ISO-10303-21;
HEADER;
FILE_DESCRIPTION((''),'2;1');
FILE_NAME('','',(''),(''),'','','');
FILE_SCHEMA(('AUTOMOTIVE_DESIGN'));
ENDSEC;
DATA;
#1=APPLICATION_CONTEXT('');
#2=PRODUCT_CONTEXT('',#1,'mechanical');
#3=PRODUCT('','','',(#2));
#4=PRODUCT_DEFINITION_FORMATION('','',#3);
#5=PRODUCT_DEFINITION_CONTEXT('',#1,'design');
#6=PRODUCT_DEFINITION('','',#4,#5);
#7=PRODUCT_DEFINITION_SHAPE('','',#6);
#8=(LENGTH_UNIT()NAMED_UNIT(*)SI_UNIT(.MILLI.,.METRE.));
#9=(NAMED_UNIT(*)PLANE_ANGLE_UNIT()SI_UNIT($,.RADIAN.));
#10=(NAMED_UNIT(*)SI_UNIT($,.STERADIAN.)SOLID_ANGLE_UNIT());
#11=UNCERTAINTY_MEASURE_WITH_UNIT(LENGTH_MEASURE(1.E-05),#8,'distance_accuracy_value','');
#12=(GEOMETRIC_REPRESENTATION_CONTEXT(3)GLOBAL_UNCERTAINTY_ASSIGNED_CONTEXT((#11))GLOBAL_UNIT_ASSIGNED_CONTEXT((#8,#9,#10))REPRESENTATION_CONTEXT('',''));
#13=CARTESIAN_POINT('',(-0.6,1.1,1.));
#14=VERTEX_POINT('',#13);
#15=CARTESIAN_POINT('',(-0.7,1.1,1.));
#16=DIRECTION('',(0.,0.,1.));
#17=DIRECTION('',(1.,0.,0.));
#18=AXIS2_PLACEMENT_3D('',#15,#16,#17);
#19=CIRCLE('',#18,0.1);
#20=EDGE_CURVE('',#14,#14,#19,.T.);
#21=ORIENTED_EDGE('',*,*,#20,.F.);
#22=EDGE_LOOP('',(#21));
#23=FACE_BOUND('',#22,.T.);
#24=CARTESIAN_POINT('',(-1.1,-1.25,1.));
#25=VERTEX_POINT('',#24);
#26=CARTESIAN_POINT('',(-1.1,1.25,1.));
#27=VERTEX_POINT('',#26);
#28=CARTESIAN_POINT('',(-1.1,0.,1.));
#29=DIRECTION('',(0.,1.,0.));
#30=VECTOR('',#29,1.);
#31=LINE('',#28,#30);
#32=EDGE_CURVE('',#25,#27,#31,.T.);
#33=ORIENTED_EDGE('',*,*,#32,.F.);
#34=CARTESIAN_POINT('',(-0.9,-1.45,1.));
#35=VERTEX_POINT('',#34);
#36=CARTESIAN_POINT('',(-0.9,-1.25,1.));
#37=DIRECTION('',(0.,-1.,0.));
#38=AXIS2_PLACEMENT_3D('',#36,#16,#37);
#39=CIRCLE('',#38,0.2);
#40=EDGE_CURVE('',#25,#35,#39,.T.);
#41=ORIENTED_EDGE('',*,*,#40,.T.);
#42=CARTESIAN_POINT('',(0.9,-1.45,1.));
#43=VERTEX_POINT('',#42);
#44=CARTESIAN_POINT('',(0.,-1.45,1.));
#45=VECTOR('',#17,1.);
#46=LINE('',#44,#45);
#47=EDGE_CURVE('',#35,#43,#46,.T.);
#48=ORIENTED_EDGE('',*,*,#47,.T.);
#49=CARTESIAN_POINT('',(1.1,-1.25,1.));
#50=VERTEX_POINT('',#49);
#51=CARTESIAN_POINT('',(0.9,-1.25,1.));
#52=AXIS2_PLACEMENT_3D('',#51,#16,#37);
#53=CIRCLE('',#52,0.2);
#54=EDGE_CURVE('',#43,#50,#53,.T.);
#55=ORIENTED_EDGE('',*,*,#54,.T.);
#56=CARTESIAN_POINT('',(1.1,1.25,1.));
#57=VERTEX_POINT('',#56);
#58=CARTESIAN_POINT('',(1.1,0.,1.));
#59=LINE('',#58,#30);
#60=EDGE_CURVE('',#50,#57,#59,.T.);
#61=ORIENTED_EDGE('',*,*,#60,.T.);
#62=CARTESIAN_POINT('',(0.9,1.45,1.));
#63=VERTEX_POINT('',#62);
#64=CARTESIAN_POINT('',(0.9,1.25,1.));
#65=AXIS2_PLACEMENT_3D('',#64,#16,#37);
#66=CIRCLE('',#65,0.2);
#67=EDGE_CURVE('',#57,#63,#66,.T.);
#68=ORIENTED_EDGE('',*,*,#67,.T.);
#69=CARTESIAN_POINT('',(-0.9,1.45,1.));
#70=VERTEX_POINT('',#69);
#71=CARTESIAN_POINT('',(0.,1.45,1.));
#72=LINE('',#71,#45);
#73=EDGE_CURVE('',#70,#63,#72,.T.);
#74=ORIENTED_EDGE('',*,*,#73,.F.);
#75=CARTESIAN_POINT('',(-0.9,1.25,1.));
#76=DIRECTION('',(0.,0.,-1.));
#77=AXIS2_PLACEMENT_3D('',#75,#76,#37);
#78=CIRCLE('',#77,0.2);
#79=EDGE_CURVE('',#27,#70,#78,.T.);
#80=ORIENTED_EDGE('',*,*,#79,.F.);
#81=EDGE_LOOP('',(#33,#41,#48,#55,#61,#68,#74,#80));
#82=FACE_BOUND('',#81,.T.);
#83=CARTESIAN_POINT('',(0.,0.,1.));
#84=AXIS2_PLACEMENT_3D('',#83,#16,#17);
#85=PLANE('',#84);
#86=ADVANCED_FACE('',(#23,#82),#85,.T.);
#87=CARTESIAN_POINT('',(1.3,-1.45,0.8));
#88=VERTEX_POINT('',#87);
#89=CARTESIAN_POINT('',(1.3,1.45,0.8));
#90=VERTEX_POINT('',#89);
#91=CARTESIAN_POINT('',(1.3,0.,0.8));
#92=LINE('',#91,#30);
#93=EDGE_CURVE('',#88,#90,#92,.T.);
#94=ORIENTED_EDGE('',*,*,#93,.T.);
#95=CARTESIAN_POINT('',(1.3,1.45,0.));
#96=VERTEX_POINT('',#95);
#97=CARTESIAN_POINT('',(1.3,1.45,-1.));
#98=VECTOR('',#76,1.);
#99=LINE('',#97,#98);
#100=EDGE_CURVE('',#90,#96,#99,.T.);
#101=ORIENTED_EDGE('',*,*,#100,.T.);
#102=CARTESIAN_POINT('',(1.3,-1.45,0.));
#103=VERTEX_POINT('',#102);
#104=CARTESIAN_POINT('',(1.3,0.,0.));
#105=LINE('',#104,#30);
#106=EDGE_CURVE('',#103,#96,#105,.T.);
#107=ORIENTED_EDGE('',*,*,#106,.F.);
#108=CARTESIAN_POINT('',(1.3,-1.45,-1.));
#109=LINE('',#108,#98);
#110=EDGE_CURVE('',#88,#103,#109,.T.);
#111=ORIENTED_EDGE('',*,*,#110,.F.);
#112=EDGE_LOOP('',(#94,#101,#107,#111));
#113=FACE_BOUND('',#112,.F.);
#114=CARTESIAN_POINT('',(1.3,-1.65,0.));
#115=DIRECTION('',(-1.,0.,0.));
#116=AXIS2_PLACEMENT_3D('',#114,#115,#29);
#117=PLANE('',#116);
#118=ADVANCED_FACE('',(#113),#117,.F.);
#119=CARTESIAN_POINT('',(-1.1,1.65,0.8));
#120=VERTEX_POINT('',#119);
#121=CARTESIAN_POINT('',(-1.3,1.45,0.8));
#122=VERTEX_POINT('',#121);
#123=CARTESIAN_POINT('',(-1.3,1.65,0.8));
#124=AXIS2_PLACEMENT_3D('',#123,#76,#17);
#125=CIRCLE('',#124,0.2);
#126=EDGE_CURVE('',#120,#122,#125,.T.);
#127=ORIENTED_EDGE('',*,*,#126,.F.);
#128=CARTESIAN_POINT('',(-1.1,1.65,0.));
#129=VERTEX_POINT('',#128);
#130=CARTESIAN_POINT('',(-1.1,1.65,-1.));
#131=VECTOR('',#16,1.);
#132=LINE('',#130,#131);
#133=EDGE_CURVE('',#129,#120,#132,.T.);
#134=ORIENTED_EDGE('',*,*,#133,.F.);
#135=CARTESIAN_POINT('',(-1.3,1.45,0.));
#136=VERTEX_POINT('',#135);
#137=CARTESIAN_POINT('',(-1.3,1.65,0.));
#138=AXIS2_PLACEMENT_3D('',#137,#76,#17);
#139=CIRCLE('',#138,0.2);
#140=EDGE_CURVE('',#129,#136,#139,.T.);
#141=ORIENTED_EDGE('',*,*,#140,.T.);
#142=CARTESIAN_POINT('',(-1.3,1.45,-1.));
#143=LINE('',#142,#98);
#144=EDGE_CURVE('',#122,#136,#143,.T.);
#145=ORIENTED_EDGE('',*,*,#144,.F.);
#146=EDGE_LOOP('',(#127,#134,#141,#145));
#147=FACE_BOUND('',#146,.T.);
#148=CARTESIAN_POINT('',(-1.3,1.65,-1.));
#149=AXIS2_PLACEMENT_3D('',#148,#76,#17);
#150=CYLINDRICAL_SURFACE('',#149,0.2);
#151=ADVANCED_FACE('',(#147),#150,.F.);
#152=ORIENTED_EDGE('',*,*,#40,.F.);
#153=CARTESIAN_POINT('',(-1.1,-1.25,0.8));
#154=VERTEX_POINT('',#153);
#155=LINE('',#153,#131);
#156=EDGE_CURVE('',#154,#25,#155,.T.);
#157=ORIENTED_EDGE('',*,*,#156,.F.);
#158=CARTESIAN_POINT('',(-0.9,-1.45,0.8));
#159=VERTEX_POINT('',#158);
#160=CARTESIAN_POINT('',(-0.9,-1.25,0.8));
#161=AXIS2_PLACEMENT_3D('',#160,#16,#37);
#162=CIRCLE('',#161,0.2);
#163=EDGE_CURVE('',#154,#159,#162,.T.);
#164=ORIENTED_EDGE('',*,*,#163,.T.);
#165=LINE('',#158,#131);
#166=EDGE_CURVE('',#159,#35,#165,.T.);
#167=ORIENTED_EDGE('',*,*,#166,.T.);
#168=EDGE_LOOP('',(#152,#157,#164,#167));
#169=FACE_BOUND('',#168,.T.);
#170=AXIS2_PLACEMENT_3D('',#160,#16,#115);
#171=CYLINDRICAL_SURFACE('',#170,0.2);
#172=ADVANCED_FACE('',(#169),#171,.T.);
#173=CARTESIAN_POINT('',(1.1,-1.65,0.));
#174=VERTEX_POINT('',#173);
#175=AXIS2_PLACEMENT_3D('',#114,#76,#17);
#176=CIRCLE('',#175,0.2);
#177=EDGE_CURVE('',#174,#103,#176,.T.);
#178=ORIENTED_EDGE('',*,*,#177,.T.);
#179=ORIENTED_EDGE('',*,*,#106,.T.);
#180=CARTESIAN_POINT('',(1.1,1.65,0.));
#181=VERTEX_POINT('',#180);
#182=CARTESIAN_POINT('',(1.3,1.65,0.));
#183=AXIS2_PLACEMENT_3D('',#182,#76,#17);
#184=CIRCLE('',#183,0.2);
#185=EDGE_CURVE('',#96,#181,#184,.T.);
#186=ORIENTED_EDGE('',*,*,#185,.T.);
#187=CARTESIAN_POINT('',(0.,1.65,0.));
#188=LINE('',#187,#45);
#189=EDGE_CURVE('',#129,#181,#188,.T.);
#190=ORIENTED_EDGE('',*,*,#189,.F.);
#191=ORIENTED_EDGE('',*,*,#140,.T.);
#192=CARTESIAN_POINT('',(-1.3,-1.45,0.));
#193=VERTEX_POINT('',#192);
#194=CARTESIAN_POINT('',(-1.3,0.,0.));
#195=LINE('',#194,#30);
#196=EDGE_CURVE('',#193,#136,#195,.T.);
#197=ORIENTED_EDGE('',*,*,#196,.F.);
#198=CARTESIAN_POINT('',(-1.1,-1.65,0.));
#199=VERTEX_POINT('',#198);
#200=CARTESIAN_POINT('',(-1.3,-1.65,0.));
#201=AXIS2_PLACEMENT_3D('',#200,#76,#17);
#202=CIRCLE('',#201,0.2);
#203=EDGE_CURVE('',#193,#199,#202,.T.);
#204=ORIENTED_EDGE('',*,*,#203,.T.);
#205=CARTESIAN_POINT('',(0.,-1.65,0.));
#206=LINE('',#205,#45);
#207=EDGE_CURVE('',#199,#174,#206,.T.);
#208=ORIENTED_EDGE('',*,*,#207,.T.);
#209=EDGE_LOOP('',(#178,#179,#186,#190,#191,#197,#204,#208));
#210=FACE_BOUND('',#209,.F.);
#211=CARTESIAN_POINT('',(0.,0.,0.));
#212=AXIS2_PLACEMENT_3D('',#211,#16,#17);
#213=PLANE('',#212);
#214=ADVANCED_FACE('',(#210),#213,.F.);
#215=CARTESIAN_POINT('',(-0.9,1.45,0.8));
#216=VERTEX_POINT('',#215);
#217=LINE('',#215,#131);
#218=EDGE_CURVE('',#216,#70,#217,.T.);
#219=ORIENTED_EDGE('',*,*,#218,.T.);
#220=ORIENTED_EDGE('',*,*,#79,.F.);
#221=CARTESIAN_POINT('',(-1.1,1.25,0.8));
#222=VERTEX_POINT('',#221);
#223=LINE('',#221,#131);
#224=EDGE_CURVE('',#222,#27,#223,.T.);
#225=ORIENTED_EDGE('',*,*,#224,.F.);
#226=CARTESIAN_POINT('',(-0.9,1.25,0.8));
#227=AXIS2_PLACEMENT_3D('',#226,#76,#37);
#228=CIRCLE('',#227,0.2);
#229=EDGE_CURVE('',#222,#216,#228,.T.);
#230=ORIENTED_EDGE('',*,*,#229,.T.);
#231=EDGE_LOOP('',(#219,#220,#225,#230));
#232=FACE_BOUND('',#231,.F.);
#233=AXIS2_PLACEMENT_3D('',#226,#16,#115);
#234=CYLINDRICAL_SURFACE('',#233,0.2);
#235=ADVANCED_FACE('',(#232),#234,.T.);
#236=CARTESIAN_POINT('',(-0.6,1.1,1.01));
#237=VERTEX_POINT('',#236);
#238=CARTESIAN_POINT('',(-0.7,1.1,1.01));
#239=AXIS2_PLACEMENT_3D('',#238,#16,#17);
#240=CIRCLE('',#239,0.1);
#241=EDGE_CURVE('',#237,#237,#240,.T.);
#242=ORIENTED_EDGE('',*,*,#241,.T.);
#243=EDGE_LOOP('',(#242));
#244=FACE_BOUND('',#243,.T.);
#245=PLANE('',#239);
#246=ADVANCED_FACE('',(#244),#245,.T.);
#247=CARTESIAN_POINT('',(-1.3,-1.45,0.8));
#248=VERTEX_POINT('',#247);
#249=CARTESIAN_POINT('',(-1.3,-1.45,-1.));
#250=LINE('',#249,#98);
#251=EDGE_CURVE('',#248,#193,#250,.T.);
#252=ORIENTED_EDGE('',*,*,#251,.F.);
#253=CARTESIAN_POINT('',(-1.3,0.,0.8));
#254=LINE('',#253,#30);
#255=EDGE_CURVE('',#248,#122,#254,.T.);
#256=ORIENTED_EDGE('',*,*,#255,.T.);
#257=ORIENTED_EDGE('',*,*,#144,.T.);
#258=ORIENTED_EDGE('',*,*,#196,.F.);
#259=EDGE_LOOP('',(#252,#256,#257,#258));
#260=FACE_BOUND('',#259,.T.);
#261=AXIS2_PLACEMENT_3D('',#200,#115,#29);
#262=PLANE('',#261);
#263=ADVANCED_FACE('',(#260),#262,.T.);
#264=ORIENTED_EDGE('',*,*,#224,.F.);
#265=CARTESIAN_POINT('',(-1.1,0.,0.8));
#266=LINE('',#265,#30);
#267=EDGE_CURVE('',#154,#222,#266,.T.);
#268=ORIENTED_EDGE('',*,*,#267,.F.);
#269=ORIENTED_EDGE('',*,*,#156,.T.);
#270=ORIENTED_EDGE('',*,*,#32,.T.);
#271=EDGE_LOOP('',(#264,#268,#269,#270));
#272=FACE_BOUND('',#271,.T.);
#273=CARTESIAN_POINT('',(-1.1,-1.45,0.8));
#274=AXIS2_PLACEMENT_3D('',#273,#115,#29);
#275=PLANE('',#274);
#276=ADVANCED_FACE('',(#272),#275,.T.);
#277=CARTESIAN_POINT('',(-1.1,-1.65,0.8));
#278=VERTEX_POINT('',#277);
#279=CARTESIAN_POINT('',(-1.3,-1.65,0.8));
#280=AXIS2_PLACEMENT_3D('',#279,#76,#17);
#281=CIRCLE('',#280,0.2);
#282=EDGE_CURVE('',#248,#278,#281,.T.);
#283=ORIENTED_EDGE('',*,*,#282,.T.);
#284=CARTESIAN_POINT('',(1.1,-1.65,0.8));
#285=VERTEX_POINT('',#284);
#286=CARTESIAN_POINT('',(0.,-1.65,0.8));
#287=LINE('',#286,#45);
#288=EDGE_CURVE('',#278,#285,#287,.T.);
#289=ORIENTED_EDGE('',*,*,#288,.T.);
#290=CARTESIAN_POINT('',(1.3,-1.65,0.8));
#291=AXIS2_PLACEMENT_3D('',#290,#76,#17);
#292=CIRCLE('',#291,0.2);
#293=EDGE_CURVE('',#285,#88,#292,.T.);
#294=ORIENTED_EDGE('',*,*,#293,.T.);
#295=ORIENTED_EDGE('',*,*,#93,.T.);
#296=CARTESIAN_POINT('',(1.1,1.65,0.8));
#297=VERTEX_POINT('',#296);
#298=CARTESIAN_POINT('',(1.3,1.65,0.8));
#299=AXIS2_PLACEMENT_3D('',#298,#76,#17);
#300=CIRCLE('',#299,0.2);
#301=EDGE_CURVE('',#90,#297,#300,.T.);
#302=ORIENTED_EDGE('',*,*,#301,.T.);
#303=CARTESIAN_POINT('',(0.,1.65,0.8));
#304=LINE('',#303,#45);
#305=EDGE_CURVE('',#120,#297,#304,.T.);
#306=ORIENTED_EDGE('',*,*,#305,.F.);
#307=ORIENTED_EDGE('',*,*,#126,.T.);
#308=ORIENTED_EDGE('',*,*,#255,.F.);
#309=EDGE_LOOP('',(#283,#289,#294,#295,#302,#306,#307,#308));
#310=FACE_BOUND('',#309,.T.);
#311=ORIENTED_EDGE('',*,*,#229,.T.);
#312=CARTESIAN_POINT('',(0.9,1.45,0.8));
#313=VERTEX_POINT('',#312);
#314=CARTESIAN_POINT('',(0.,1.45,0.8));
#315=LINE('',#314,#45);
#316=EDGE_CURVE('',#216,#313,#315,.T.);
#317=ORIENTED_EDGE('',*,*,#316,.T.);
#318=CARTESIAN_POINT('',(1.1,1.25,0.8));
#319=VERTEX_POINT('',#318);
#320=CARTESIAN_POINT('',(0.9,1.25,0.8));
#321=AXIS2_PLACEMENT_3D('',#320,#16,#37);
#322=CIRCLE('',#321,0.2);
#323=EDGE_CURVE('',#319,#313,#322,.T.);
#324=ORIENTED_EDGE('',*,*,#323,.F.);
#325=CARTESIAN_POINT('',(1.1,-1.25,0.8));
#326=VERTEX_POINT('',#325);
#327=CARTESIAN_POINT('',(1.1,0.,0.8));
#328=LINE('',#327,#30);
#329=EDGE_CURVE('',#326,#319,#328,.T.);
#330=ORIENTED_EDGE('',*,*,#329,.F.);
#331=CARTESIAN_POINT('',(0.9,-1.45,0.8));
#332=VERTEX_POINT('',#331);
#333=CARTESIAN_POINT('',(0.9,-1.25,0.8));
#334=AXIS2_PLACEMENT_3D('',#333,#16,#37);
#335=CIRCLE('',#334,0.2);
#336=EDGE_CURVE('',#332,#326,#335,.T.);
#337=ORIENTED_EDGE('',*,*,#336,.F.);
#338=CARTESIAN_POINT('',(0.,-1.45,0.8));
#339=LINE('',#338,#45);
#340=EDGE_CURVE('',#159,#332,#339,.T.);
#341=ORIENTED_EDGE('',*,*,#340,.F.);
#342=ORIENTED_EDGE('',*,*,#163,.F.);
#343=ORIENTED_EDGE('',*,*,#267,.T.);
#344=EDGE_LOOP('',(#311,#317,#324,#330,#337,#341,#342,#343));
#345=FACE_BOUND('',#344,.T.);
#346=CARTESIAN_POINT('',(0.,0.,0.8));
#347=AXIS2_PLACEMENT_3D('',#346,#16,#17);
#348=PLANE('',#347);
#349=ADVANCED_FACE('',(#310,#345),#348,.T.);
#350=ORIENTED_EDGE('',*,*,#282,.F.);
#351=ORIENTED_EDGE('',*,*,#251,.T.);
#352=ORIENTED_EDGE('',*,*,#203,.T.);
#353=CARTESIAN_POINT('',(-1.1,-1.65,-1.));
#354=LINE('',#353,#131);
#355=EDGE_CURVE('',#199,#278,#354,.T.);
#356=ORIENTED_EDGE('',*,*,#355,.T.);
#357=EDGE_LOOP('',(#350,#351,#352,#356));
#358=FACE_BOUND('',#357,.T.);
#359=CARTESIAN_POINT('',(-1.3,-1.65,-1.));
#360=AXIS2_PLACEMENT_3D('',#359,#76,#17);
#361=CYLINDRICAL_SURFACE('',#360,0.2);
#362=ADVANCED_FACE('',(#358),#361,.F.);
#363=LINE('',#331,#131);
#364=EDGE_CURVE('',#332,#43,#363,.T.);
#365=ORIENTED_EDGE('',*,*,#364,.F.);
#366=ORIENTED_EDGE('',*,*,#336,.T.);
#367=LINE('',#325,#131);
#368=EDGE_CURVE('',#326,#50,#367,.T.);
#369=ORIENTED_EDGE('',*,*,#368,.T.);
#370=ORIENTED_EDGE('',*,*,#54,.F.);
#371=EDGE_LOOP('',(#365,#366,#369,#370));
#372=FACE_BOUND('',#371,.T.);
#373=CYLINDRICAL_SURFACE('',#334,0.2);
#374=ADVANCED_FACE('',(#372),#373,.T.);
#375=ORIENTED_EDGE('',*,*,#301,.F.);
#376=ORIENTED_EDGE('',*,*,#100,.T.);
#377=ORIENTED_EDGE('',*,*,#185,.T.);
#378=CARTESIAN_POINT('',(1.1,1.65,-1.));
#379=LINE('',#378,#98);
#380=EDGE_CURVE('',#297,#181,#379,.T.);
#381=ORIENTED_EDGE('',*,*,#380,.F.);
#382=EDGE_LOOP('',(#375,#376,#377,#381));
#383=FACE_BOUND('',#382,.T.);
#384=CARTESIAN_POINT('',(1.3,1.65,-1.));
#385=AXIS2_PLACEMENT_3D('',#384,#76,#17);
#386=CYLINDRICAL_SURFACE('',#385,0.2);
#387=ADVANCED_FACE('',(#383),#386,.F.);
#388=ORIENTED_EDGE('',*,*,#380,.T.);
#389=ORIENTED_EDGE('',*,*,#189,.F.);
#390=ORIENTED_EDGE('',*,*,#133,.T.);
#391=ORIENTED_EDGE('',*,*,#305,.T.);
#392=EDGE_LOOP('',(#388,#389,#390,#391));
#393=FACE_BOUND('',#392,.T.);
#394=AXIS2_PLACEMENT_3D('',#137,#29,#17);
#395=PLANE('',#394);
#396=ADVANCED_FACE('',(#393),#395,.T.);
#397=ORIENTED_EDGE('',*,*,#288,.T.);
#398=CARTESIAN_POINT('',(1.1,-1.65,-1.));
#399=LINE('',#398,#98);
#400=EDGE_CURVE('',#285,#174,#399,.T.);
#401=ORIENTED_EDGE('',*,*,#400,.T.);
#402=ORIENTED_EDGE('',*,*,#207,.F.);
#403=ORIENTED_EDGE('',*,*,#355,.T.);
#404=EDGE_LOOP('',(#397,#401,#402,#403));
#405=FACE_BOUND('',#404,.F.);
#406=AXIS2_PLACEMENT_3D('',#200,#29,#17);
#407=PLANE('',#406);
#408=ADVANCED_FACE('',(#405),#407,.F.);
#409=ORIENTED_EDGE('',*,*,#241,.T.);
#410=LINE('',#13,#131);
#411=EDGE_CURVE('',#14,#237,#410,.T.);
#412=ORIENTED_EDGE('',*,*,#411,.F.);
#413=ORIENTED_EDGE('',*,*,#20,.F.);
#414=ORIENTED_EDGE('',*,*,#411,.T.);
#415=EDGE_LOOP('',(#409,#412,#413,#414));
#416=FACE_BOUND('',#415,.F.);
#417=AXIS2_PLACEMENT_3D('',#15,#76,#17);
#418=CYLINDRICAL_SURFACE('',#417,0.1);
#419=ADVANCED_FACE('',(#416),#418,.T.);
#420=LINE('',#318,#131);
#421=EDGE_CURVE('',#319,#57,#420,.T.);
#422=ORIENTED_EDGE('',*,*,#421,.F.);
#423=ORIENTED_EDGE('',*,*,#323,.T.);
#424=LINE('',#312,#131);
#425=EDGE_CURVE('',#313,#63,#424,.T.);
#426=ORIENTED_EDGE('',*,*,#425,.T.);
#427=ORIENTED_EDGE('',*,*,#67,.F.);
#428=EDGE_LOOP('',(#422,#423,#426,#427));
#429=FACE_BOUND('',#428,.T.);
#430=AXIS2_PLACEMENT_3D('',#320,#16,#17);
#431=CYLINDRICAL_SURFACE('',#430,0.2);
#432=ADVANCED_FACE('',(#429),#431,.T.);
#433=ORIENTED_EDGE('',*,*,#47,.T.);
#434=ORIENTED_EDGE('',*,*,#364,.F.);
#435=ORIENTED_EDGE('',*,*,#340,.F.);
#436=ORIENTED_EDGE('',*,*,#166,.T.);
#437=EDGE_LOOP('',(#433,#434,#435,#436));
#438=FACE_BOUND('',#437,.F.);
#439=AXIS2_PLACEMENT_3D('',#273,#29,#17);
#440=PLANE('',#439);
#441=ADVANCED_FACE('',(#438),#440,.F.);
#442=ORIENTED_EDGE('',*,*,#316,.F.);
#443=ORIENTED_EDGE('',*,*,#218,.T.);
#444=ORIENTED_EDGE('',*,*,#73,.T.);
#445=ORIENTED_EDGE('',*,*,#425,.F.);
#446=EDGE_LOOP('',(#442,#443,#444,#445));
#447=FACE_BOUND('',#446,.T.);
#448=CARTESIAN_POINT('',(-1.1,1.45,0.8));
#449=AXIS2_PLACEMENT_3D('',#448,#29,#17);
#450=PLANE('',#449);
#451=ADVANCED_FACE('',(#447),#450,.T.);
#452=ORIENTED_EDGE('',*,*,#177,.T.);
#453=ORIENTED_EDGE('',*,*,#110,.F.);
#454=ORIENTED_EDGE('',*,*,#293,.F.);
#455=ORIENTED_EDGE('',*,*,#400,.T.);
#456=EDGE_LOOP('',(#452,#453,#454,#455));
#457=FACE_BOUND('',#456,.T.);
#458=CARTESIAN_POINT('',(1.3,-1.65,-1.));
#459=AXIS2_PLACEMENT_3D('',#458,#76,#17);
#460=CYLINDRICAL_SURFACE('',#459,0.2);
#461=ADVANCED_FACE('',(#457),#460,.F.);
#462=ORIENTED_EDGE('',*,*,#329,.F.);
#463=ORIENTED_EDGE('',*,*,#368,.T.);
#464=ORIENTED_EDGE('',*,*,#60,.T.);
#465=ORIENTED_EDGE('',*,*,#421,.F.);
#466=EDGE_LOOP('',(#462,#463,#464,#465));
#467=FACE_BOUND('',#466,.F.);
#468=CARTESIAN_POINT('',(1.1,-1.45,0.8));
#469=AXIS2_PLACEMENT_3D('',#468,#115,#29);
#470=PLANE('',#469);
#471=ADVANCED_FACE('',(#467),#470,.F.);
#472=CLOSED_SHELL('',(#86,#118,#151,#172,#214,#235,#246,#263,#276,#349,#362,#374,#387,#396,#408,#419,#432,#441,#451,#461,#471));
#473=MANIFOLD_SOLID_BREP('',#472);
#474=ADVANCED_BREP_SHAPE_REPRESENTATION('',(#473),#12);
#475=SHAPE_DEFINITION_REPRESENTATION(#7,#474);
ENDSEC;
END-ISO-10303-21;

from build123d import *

# Parameters (mm, degrees)
BOX001_W          = 2.2
BOX001_H          = 2.9
BOX001_DEPTH      = 0.2
FILLET_R          = 0.2
CYLINDER004_R     = 0.1
CYLINDER004_DEPTH = 0.01
CYLINDER001_R     = 0.2
CYLINDER001_DEPTH = 3
CYLINDER002_R     = 0.2
CYLINDER002_DEPTH = 3
CYLINDER003_R     = 0.2
CYLINDER003_DEPTH = 3
CYLINDER_R        = 0.2
CYLINDER_DEPTH    = 3
BOX_W             = 2.6
BOX_H             = 3.3
BOX_DEPTH         = 0.8


with BuildPart() as fillet_body:
    # Box001 → Box001 (new body)
    with BuildSketch(Plane(origin=(-1.1, -1.45, 0.8), x_dir=(1, 0, 0), z_dir=(0, 0, 1))):
        with Locations((1.1, 1.45)):
            Rectangle(BOX001_W, BOX001_H)
    extrude(amount=BOX001_DEPTH)

    # Fillet
    fillet_edges = [fillet_body.edges().sort_by_distance(p)[0] for p in [
        (-1.1, -1.45, 0.9),
        (-1.1, 1.45, 0.9),
        (1.1, -1.45, 0.9),
        (1.1, 1.45, 0.9),
    ]]
    fillet(fillet_edges, radius=FILLET_R)


with BuildPart() as cylinder004:
    # Cylinder004 → Cylinder004 (new body)
    with BuildSketch(Plane(origin=(-0.7, 1.1, 1), x_dir=(1, 0, 0), z_dir=(0, 0, 1))):
        Circle(CYLINDER004_R)
    extrude(amount=CYLINDER004_DEPTH)


with BuildPart() as cylinder001:
    # Cylinder001 → Cylinder001 (new body)
    with BuildSketch(Plane(origin=(1.3, -1.65, -1), x_dir=(1, 0, 0), z_dir=(0, 0, 1))):
        Circle(CYLINDER001_R)
    extrude(amount=CYLINDER001_DEPTH)


with BuildPart() as cylinder002:
    # Cylinder002 → Cylinder002 (new body)
    with BuildSketch(Plane(origin=(-1.3, 1.65, -1), x_dir=(1, 0, 0), z_dir=(0, 0, 1))):
        Circle(CYLINDER002_R)
    extrude(amount=CYLINDER002_DEPTH)


with BuildPart() as cylinder003:
    # Cylinder003 → Cylinder003 (new body)
    with BuildSketch(Plane(origin=(1.3, 1.65, -1), x_dir=(1, 0, 0), z_dir=(0, 0, 1))):
        Circle(CYLINDER003_R)
    extrude(amount=CYLINDER003_DEPTH)


with BuildPart() as fusion:
    # Cylinder → Cylinder (new body)
    with BuildSketch(Plane(origin=(-1.3, -1.65, -1), x_dir=(1, 0, 0), z_dir=(0, 0, 1))):
        Circle(CYLINDER_R)
    extrude(amount=CYLINDER_DEPTH)

    # Fusion: union Cylinder001, Cylinder002, Cylinder003
    add(cylinder001.part)
    add(cylinder002.part)
    add(cylinder003.part)


with BuildPart() as fusion001:
    # Box → Box (new body)
    with BuildSketch(Plane(origin=(-1.3, -1.65, 0), x_dir=(1, 0, 0), z_dir=(0, 0, 1))):
        with Locations((1.3, 1.65)):
            Rectangle(BOX_W, BOX_H)
    extrude(amount=BOX_DEPTH)

    # Cut: cut Fusion
    add(fusion.part, mode=Mode.SUBTRACT)

    # Fusion001: union Fillet body, Cylinder004
    add(fillet_body.part)
    add(cylinder004.part)


solid = fusion001.part
